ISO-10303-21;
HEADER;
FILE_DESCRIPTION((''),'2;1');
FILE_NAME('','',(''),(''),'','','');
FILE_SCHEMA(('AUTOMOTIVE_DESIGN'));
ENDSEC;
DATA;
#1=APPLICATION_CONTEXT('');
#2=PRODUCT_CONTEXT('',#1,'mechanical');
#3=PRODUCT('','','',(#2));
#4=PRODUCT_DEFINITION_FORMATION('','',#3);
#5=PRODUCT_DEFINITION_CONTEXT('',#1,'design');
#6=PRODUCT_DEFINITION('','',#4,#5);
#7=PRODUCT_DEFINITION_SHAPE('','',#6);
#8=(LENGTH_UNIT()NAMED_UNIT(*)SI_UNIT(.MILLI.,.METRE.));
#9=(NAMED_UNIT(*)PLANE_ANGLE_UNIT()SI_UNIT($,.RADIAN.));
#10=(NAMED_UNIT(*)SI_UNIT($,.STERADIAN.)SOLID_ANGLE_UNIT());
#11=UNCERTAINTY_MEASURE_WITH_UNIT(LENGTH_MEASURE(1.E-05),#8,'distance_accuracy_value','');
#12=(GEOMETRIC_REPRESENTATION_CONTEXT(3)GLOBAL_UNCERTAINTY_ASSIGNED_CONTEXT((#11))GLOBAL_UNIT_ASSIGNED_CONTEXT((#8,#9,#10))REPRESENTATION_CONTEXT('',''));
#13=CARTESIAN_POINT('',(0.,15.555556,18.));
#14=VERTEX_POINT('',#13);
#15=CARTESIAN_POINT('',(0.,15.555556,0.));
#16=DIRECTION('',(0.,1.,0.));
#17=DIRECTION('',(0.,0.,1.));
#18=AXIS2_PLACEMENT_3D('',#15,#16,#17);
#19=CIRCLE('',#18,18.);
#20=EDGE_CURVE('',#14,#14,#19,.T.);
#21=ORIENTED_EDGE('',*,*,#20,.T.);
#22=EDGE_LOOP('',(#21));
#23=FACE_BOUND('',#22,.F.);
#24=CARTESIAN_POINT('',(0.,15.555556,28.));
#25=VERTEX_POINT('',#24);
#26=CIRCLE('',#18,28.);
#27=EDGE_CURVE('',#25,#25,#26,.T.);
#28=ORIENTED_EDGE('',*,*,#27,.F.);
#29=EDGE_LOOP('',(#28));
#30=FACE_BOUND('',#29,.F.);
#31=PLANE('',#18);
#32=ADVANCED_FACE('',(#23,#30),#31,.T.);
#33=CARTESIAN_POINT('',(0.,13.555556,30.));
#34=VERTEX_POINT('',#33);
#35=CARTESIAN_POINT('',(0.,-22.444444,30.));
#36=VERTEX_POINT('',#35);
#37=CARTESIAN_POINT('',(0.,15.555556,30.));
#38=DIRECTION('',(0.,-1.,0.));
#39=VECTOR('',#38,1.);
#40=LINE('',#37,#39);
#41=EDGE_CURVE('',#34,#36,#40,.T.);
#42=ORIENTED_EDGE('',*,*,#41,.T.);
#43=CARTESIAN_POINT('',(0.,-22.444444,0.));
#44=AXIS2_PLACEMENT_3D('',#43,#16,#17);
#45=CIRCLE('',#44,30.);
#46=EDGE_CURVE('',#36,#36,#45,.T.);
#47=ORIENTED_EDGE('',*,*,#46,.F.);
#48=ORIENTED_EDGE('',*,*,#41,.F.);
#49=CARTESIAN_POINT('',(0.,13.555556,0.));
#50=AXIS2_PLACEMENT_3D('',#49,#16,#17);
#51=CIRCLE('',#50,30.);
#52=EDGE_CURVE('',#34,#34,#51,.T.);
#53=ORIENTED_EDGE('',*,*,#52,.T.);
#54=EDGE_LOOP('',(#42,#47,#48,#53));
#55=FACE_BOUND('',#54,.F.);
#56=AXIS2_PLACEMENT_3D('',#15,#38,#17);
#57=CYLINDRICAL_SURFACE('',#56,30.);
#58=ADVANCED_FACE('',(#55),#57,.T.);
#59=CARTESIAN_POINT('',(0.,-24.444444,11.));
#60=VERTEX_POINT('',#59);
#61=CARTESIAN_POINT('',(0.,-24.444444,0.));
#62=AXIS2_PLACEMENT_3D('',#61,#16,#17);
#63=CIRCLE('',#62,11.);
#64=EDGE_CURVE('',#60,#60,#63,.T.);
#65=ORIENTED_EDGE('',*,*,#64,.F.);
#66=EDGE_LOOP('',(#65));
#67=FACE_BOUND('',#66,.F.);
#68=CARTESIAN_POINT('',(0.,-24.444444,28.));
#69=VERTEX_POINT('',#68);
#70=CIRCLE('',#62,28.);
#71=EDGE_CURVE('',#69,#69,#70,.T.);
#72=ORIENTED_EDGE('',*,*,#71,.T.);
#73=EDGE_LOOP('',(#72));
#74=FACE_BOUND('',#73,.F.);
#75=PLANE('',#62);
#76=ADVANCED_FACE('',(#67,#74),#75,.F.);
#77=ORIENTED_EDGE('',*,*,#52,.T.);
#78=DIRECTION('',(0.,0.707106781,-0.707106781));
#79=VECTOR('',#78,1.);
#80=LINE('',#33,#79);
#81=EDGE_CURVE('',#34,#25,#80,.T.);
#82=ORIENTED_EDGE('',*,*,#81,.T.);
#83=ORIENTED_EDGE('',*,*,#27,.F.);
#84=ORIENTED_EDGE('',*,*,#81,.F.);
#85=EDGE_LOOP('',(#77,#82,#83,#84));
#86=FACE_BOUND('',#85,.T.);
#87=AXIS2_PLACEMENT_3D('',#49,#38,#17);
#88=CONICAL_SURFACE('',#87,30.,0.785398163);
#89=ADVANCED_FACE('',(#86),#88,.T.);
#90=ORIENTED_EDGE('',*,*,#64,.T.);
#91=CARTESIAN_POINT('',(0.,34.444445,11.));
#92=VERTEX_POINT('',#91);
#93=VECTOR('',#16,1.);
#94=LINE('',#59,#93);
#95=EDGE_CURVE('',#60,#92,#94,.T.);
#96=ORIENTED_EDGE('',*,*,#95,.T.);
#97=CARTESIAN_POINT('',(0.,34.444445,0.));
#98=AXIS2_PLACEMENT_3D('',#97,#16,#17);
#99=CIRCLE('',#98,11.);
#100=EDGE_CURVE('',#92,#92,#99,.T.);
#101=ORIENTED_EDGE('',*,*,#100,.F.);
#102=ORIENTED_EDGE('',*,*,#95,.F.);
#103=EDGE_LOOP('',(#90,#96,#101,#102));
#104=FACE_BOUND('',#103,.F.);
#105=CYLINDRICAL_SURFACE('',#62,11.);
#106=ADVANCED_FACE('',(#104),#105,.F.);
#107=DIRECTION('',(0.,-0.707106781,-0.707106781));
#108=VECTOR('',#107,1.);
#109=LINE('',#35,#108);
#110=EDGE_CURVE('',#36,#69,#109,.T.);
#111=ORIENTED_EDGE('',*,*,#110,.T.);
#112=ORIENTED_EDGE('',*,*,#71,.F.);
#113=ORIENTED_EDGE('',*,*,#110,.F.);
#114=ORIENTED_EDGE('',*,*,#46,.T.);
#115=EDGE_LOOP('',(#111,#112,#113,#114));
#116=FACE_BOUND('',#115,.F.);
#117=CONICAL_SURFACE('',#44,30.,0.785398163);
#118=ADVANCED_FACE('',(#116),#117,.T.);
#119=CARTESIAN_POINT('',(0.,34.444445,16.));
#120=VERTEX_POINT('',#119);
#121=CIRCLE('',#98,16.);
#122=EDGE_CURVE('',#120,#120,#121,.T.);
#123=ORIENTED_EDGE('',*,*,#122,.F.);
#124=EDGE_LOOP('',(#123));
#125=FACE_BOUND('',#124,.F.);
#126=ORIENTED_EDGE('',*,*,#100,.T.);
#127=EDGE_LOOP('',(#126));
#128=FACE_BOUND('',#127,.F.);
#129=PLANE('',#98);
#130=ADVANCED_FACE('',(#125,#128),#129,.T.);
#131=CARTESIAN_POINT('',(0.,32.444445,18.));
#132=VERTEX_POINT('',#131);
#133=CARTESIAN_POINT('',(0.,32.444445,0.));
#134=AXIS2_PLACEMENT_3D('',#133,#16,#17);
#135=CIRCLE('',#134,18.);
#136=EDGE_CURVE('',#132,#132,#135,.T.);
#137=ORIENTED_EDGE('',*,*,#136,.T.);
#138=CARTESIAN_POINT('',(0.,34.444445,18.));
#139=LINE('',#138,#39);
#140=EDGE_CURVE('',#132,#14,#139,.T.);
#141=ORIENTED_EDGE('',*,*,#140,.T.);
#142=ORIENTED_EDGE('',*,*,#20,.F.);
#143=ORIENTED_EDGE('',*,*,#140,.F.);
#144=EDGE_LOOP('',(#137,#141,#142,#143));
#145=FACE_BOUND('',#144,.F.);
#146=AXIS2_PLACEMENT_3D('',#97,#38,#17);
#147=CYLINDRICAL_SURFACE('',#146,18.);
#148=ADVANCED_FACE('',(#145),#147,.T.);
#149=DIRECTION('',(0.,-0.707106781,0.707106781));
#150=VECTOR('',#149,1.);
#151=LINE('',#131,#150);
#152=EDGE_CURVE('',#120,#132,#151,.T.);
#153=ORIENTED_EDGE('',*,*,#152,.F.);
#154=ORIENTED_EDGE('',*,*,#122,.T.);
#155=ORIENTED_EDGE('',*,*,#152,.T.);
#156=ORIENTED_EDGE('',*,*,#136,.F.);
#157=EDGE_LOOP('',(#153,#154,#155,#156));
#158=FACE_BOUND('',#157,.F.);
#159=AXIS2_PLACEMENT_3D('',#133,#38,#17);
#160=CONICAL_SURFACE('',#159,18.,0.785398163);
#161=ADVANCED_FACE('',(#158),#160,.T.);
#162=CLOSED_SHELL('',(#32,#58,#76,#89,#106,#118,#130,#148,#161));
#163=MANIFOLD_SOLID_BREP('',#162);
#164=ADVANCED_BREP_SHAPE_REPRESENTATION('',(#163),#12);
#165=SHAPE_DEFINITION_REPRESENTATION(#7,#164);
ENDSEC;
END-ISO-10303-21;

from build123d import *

# Parameters (mm, degrees)
F2_SIZE = 2


with BuildPart() as f1:
    # F0 (on Right) → F1 (revolve)
    with BuildSketch(Plane.YZ):
        Polygon((15.555556, 30), (-24.444444, 30), (-24.444444, 11), (34.444445, 11), (34.444445, 18), (15.555556, 18), align=None)
    revolve(axis=Axis((0, -2.539683, 0), (0, 1, 0)))

    # F2
    f2_edges = [f1.edges().sort_by_distance(p)[0] for p in [
        (0, 34.444445, -18),
        (0, 15.555556, -30),
        (0, -24.444444, -30),
    ]]
    chamfer(f2_edges, length=F2_SIZE)


solid = f1.part
